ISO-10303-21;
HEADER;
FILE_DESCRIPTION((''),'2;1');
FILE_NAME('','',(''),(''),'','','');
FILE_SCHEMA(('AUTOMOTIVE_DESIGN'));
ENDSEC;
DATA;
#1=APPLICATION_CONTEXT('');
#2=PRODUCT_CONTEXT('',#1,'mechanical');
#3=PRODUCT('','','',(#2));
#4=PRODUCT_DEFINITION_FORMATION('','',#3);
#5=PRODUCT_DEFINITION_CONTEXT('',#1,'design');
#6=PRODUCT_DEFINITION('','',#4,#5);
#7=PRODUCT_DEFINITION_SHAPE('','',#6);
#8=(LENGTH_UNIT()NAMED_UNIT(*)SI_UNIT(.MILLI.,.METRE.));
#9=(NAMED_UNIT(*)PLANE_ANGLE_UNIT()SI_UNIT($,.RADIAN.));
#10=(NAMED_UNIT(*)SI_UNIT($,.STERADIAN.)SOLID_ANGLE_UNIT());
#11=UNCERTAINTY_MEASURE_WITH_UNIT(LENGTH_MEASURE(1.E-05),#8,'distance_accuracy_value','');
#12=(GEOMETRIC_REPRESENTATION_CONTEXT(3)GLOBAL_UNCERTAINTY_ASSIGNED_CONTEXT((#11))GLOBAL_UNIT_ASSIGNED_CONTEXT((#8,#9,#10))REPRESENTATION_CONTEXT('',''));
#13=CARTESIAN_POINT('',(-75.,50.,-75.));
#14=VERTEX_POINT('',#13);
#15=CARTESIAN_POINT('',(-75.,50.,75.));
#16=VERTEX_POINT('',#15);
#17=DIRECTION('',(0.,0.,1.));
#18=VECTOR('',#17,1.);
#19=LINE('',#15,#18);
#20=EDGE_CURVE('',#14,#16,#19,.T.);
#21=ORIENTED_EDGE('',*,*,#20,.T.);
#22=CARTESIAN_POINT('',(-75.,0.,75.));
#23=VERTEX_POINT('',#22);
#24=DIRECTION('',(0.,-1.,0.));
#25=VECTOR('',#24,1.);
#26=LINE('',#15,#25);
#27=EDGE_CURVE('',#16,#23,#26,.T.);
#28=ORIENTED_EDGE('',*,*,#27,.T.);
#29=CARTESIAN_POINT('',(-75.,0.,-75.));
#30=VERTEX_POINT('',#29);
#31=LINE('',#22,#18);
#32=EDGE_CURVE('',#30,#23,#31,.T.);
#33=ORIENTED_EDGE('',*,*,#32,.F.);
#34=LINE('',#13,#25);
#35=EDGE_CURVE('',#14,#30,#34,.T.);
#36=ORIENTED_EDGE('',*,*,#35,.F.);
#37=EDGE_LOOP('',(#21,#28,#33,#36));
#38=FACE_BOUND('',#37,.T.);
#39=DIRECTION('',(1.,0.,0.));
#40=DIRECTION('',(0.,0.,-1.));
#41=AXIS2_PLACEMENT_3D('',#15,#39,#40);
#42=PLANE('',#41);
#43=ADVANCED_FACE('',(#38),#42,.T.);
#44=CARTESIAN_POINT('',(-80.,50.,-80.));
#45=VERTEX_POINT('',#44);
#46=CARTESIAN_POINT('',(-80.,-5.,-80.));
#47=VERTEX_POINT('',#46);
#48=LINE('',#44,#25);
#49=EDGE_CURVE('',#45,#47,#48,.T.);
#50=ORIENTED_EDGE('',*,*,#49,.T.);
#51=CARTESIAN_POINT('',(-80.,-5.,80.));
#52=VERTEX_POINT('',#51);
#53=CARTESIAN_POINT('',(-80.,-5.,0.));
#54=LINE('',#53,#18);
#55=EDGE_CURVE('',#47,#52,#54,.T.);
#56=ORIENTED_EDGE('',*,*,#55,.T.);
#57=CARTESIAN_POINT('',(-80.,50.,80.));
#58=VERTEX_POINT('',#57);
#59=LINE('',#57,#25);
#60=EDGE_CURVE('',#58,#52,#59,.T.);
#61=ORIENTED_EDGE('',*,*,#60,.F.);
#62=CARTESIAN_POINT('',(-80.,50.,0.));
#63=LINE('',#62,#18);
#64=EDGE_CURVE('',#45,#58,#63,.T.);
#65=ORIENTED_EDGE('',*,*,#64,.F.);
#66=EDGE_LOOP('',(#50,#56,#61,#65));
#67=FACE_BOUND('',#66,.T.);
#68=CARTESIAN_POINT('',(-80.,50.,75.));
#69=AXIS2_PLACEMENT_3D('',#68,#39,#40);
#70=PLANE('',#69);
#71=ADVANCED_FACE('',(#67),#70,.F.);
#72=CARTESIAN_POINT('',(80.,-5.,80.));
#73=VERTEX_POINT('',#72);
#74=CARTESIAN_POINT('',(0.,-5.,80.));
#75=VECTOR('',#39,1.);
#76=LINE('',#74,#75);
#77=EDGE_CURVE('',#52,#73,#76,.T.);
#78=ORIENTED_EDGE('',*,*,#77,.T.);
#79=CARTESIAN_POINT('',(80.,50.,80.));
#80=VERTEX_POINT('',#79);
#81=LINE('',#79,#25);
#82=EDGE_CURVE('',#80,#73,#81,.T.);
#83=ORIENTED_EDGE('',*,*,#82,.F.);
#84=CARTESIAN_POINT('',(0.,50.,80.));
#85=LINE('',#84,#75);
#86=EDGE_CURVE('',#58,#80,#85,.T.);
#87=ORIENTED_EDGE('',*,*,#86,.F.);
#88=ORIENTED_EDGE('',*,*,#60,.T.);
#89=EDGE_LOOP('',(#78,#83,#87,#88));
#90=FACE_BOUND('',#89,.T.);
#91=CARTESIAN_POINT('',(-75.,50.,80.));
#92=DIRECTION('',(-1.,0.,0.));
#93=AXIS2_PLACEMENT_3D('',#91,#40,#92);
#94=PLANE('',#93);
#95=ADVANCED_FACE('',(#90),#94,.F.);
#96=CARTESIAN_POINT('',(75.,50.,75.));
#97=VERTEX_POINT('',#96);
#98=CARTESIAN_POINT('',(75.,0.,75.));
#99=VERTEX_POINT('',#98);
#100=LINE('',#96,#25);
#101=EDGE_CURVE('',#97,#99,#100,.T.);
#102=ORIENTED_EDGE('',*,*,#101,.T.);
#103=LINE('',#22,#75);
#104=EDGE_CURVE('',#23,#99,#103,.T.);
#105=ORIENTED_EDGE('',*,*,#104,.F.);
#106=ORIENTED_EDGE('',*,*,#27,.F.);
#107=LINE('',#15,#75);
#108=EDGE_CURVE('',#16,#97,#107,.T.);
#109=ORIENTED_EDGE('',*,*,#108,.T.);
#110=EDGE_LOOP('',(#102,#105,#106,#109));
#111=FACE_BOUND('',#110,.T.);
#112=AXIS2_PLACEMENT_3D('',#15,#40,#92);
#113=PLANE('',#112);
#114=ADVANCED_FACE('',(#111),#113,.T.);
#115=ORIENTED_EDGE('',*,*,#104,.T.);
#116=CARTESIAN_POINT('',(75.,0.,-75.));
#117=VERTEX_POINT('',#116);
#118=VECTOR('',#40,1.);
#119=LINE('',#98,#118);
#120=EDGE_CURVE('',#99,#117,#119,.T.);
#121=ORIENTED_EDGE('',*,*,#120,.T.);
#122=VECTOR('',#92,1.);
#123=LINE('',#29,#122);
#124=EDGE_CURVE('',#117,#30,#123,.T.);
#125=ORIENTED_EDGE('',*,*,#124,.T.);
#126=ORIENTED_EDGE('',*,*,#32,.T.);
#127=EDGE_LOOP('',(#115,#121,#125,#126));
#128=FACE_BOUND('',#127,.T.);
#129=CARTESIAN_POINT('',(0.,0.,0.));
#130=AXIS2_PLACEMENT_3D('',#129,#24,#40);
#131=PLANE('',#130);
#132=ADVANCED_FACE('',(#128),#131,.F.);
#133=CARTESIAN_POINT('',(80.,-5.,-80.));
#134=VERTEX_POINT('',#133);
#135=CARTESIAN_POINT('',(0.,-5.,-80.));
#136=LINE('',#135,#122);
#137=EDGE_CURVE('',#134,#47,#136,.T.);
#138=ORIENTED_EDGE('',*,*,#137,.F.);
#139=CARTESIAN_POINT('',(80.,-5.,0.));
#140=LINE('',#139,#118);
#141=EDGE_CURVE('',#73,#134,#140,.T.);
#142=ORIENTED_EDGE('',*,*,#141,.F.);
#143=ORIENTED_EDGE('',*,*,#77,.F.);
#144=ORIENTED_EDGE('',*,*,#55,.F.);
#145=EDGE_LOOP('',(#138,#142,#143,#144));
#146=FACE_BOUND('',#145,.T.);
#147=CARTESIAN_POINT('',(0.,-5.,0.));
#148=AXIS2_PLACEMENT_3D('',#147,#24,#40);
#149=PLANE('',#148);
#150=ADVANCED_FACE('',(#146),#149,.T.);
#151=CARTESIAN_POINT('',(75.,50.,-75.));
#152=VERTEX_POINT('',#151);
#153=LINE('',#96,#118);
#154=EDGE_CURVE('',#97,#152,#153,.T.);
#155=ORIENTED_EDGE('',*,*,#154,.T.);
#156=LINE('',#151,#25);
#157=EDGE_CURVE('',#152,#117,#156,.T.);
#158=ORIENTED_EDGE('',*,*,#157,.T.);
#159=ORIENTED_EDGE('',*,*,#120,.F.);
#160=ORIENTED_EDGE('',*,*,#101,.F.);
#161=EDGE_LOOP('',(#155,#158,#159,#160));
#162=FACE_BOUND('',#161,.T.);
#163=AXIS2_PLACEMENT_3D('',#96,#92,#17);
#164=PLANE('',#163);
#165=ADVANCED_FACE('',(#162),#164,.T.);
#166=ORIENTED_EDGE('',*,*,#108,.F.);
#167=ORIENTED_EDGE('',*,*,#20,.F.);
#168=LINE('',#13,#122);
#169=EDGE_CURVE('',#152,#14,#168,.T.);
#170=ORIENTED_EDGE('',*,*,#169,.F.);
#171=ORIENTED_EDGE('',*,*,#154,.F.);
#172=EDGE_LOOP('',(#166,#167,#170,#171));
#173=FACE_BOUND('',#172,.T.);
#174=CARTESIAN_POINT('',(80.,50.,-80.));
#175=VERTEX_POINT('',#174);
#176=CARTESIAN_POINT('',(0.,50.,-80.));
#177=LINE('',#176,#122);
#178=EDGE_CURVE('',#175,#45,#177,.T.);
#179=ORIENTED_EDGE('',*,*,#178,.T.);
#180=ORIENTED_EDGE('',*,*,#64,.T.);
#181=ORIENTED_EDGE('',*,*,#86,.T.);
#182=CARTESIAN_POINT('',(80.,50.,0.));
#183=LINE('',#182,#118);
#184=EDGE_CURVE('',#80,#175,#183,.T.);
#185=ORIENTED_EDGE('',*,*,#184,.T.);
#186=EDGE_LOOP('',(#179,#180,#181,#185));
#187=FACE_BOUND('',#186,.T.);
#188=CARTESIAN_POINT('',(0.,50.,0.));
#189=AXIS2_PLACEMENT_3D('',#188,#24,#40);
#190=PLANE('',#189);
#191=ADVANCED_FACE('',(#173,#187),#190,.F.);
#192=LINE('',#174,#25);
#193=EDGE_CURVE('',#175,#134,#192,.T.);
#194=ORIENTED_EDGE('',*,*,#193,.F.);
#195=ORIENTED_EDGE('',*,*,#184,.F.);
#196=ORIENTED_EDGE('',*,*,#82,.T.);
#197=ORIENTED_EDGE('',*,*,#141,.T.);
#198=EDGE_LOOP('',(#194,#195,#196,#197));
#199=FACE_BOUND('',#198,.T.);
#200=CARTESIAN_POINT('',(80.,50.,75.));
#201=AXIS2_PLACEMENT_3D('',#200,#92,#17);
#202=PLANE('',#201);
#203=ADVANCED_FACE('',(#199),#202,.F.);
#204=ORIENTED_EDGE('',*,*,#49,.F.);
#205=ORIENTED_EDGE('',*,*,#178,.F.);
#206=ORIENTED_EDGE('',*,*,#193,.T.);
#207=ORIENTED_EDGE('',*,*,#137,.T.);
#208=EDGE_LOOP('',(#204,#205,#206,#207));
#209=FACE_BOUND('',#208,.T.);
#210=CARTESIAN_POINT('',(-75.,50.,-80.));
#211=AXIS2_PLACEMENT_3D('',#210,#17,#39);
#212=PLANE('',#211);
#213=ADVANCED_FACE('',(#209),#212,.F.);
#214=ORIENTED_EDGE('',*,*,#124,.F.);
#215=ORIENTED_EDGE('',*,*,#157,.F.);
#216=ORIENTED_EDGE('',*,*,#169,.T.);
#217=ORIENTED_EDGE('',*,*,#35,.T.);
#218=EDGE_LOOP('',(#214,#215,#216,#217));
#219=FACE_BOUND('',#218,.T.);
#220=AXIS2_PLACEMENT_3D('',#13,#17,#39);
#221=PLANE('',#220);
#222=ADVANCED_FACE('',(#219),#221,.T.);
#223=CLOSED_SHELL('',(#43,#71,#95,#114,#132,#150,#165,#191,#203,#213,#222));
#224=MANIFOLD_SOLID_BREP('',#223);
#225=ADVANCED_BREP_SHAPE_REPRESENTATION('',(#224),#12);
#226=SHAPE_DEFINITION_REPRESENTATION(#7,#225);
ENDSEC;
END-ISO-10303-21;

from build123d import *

# Parameters (mm, degrees)
ESQUISSE1_W        = 150
ESQUISSE1_H        = 150
BOSS_EXTRU_1_DEPTH = 50
COQUE2_T           = 5


with BuildPart() as part:
    # Esquisse1 → Boss.-Extru.1 (new body)
    with BuildSketch(Plane(origin=(0, 0, 0), x_dir=(1, 0, 0), z_dir=(0, 1, 0))):
        Rectangle(ESQUISSE1_W, ESQUISSE1_H)
    extrude(amount=BOSS_EXTRU_1_DEPTH)

    # Coque2
    coque2_openings = [part.faces().sort_by_distance(p)[0] for p in [
        (0, 50, 0),
    ]]
    offset(amount=COQUE2_T, openings=coque2_openings, kind=Kind.INTERSECTION)


solid = part.part
